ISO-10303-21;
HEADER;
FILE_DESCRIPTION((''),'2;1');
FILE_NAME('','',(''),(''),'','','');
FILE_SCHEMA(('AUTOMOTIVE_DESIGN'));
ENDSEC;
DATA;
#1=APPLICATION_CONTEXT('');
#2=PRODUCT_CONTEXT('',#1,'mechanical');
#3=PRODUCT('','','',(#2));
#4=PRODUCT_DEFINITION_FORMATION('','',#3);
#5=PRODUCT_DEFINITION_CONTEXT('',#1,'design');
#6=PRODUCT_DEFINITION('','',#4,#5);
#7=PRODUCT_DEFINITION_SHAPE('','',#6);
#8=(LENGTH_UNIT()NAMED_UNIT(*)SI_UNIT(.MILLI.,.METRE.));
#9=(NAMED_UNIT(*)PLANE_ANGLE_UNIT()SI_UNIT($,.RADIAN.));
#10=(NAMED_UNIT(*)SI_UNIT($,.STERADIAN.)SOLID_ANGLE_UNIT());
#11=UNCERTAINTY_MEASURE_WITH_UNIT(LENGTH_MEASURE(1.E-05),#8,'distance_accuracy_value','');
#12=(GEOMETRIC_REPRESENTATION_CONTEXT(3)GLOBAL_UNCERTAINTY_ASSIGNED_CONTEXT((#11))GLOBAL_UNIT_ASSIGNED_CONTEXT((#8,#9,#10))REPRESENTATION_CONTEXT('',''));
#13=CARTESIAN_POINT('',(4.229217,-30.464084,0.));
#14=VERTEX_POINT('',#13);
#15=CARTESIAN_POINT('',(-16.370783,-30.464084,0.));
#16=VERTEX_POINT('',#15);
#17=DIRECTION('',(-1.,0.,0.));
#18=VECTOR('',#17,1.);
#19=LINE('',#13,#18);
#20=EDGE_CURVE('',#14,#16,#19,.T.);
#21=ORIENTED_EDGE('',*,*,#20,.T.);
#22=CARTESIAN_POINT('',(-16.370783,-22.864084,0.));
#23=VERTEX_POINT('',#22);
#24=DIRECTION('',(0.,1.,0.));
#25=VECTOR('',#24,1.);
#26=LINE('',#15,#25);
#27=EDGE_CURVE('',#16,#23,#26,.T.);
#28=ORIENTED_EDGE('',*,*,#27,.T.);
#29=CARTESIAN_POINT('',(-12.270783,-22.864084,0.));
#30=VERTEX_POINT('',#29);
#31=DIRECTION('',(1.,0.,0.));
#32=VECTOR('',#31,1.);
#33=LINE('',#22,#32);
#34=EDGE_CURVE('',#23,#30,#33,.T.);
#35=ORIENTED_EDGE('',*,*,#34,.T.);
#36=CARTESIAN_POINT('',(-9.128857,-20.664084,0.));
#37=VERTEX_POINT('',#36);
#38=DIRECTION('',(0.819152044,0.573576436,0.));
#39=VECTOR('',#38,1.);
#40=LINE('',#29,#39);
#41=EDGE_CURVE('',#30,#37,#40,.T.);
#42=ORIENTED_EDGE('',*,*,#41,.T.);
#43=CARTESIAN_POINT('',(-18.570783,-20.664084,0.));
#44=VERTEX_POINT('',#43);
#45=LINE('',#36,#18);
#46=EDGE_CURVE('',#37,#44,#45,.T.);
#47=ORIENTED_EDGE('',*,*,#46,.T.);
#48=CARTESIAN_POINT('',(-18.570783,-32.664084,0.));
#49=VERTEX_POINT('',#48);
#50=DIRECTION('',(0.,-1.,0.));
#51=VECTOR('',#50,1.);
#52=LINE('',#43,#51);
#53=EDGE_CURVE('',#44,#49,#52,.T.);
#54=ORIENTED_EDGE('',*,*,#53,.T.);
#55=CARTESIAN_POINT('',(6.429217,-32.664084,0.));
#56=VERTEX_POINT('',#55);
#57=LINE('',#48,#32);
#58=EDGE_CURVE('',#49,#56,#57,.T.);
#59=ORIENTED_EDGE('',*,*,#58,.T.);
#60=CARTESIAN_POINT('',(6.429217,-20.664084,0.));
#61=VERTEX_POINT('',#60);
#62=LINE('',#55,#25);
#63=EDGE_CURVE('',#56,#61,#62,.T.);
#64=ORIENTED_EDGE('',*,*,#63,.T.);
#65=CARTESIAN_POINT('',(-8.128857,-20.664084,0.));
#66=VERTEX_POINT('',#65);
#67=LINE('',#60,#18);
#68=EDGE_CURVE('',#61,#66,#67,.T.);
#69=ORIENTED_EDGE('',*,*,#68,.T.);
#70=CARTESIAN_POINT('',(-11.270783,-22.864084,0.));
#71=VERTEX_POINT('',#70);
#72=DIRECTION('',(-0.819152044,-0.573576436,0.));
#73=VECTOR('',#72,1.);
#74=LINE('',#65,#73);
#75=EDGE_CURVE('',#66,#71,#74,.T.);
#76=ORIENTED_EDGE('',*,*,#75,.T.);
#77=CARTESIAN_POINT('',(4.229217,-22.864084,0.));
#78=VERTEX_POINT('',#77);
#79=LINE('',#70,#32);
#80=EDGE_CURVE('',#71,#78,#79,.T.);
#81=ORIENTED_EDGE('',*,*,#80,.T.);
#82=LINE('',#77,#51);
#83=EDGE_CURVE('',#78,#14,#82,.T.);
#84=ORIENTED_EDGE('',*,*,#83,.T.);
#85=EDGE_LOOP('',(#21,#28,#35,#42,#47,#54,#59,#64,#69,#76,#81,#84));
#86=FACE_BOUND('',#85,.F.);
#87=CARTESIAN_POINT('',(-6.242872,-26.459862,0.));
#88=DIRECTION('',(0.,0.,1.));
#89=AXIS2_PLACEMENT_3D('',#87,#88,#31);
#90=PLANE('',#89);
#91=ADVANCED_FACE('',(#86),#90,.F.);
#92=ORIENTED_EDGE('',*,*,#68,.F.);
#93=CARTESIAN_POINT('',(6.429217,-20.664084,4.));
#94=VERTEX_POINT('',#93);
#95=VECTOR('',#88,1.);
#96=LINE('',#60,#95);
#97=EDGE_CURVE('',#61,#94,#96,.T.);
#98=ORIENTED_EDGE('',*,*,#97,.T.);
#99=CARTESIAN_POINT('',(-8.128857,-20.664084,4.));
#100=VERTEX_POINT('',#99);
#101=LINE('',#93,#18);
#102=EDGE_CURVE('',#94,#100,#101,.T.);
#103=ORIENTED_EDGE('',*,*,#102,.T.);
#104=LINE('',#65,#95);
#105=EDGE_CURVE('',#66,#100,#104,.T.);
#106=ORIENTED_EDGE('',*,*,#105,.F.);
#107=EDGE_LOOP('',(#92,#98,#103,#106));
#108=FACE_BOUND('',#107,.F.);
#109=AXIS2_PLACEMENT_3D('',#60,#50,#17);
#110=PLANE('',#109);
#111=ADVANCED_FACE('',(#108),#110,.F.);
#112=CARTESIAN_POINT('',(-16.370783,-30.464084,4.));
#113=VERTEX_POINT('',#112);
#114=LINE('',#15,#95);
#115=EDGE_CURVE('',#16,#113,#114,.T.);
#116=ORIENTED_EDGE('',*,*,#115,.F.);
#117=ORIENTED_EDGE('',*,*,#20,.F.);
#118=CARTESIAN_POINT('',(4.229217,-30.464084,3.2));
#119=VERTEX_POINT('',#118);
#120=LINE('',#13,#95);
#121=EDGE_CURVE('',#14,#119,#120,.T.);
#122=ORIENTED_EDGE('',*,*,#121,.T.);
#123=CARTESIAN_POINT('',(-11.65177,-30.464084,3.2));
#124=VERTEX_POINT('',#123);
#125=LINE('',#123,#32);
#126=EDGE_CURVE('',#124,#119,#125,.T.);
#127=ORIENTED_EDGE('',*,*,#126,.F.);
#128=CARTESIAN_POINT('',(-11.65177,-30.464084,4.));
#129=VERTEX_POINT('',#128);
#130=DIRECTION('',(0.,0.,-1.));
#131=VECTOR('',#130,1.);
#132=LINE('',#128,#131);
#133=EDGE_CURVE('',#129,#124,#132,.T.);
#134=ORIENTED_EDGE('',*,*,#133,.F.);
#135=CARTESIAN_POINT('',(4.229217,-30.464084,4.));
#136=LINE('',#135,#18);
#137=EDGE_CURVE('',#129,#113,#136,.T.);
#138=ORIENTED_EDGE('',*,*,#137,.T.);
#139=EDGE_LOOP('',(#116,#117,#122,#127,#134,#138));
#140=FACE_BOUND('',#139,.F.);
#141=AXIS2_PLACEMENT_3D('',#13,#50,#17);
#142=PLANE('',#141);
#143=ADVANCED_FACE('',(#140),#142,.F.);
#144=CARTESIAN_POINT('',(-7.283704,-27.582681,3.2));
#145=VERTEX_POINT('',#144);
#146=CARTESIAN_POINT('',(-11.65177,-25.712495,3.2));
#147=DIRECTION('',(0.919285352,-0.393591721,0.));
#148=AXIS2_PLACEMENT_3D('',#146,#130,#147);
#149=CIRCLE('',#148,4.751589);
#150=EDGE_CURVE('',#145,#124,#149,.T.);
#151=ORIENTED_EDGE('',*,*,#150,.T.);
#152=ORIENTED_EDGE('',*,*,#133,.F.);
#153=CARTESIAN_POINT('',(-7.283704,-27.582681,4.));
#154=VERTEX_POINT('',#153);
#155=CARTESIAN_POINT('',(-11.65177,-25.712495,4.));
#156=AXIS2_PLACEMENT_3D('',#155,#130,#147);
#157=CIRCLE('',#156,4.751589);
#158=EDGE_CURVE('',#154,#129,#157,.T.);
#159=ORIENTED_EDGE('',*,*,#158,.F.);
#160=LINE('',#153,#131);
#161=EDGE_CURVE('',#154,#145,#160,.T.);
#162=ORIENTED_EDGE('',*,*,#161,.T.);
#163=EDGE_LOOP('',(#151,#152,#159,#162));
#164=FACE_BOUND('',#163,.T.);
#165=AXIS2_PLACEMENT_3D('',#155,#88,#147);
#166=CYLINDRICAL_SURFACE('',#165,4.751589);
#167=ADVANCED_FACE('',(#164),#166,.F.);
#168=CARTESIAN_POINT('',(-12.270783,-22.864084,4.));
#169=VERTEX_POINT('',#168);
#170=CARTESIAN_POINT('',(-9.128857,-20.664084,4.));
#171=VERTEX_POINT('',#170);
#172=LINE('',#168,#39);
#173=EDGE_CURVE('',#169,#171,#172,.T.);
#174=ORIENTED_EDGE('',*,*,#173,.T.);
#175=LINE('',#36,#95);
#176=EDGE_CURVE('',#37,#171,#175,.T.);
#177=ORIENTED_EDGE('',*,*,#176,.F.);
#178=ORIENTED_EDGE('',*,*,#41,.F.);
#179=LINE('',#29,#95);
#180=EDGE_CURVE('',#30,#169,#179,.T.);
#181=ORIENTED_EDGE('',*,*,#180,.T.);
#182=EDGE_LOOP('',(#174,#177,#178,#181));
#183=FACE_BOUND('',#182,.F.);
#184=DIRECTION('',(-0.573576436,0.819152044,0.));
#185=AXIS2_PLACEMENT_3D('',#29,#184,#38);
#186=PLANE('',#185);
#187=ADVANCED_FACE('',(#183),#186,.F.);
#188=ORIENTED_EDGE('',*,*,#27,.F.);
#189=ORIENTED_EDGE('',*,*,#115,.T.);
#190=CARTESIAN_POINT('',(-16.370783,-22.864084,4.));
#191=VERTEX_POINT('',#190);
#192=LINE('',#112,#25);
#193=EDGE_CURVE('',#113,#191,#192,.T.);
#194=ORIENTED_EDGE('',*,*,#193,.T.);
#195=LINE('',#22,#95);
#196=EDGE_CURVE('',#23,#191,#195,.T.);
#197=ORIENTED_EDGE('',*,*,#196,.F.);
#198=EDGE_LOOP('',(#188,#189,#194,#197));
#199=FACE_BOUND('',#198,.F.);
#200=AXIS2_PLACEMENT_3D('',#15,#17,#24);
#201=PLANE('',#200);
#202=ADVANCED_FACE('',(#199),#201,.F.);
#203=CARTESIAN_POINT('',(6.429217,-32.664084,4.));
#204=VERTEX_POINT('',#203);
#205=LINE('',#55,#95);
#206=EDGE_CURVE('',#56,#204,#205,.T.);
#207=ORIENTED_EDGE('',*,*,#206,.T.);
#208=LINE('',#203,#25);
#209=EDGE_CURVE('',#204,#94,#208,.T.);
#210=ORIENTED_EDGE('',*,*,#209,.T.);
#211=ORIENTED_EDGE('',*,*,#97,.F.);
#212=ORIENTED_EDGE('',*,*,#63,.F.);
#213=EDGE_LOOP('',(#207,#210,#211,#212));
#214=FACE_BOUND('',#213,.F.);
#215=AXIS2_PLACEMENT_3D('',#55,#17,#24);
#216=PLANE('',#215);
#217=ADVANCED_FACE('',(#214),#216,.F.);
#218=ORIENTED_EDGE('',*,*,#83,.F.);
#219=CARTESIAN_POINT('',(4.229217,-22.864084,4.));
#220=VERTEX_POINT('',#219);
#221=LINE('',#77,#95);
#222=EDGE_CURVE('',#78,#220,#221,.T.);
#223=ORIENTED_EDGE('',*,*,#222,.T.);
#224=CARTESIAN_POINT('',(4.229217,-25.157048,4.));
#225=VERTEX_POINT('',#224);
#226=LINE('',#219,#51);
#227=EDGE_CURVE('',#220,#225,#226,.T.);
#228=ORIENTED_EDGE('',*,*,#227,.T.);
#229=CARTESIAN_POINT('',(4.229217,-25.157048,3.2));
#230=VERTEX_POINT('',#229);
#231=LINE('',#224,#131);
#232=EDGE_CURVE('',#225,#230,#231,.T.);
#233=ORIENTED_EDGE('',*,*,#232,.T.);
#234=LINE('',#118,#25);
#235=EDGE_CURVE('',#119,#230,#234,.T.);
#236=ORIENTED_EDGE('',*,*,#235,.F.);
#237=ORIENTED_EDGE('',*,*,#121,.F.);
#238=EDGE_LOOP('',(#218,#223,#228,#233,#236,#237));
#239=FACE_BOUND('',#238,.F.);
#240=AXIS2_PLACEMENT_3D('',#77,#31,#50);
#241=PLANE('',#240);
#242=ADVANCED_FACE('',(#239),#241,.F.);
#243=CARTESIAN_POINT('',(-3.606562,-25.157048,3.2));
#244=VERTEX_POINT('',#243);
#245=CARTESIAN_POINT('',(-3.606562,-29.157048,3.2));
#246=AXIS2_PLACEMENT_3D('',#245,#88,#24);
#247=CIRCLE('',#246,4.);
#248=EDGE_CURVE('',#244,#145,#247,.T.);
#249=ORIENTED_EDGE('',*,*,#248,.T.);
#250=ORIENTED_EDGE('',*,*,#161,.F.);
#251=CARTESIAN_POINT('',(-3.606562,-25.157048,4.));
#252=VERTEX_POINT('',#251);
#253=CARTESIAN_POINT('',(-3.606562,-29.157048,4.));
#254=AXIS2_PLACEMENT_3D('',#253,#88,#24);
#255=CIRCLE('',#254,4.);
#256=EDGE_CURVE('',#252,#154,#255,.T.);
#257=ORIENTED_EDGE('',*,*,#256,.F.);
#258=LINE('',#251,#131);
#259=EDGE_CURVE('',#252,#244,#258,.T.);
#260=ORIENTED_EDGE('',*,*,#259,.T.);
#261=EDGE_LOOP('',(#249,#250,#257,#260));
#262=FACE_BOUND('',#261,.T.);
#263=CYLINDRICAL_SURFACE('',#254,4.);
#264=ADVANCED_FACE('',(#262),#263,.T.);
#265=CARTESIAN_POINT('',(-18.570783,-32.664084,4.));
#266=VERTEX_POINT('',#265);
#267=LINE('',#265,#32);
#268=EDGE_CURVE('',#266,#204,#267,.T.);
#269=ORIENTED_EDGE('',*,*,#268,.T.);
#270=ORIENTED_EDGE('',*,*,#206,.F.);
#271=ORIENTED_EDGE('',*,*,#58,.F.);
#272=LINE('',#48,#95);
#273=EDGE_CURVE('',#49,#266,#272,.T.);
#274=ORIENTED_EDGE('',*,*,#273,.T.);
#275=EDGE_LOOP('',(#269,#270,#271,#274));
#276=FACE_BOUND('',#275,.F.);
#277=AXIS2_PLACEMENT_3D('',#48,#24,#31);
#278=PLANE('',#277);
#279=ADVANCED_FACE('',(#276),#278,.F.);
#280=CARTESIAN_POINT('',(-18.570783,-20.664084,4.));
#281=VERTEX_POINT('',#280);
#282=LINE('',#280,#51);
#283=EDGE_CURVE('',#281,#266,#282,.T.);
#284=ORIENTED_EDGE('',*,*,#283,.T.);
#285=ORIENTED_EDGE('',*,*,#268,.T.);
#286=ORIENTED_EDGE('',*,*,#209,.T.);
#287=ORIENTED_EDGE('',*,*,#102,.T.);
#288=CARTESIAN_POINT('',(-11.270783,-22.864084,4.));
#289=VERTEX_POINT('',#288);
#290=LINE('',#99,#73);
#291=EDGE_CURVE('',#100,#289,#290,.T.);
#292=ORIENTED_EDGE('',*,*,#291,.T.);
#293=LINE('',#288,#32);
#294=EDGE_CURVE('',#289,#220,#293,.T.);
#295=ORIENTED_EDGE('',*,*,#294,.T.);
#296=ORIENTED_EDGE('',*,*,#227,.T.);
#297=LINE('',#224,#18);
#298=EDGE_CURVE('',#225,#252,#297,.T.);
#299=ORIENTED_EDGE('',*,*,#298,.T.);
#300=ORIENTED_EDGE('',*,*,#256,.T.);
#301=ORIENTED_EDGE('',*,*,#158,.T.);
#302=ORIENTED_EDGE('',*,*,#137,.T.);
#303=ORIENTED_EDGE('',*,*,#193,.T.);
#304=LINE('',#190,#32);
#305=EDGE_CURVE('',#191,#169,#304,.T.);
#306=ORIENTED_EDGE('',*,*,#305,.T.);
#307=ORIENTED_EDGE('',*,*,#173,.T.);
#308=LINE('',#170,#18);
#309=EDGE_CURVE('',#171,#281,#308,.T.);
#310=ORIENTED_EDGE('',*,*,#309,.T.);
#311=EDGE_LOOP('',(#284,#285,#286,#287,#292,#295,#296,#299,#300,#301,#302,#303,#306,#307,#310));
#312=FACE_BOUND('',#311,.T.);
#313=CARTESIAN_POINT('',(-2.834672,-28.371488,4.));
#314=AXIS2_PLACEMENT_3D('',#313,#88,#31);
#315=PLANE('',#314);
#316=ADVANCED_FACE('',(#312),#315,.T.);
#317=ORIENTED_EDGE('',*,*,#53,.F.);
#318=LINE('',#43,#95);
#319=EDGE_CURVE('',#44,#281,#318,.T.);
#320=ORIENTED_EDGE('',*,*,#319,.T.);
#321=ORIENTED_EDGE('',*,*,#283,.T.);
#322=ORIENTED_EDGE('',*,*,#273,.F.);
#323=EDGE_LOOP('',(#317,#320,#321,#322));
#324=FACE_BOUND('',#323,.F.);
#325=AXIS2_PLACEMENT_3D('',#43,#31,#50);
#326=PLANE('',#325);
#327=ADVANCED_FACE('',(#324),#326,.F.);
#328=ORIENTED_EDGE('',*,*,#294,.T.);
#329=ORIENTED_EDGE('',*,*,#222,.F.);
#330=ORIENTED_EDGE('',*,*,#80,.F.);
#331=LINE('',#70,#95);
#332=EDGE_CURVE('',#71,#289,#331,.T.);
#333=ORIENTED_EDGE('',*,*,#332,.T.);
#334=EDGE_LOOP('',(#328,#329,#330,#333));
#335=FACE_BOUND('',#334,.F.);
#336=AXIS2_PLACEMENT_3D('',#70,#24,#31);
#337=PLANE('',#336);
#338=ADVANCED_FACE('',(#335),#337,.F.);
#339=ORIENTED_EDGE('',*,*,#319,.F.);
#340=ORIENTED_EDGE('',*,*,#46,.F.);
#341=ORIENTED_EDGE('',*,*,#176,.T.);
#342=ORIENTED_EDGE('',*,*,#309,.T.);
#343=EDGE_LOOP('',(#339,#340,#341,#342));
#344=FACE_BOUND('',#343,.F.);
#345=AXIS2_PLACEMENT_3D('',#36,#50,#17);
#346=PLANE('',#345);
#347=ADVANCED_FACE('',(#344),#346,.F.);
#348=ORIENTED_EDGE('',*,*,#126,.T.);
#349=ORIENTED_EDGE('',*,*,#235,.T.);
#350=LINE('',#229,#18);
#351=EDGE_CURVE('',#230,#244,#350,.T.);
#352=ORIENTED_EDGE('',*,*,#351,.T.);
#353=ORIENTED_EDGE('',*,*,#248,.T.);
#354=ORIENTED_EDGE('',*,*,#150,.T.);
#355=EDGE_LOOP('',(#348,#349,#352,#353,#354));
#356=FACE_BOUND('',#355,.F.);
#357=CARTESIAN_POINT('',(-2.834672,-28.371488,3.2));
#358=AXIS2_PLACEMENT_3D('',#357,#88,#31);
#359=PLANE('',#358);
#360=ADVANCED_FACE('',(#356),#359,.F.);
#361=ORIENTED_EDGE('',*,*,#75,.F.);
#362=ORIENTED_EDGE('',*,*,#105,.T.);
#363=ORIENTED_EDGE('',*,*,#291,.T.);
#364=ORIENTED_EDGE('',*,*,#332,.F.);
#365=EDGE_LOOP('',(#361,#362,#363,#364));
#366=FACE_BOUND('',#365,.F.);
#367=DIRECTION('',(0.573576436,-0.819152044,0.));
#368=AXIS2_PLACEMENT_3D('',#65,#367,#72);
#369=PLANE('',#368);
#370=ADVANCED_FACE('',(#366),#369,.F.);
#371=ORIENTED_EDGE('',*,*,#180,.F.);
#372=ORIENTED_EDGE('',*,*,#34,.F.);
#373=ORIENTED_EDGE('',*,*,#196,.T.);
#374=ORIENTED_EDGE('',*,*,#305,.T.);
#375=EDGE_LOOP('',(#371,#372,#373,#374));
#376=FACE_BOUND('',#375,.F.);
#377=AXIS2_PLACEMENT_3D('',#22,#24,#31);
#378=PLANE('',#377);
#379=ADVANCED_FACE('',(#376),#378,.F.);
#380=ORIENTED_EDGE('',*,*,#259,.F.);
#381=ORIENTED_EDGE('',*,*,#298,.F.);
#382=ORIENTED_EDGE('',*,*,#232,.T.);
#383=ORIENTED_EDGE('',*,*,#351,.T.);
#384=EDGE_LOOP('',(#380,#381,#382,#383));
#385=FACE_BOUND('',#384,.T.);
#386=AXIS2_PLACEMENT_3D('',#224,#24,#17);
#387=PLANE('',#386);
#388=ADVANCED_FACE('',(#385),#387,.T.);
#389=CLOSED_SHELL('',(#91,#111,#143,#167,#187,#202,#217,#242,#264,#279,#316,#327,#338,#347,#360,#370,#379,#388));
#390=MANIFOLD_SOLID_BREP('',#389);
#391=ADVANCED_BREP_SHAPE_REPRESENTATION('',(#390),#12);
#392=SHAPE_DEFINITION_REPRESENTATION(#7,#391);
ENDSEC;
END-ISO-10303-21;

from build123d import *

# Parameters (mm, degrees)
F1_DEPTH = 4
F3_DEPTH = 0.8


with BuildPart() as f1:
    # F0 (on Top) → F1 (new body)
    with BuildSketch(Plane.XY):
        Polygon((-9.1288570138, -20.6640837675), (-18.5707826287, -20.6640837675), (-18.5707826287, -32.6640837675), (6.4292173713, -32.6640837675), (6.4292173713, -20.6640837675), (-8.1288570138, -20.6640837675), (-11.2707826287, -22.8640837675), (4.2292173713, -22.8640837675), (4.2292173713, -30.4640837675), (-16.3707826287, -30.4640837675), (-16.3707826287, -22.8640837675), (-12.2707826287, -22.8640837675), align=None)
    extrude(amount=F1_DEPTH)

    # F2 (on face) → F3 (join)
    with BuildSketch(Plane.XY.offset(4)):
        with BuildLine():
            ThreePointArc((-7.2837039026, -27.5826807615), (-9.0353563223, -29.6788503531), (-11.6517702118, -30.4640837675))
            Line((-11.6517702118, -30.4640837675), (4.2292173713, -30.4640837675))
            Line((4.2292173713, -30.4640837675), (4.2292173713, -25.1570476435))
            Line((4.2292173713, -25.1570476435), (-3.6065624964, -25.1570476435))
            ThreePointArc((-3.6065624964, -25.1570476435), (-5.8091215163, -25.8180756813), (-7.2837039026, -27.5826807615))
        make_face()
    extrude(amount=-F3_DEPTH)


solid = f1.part
